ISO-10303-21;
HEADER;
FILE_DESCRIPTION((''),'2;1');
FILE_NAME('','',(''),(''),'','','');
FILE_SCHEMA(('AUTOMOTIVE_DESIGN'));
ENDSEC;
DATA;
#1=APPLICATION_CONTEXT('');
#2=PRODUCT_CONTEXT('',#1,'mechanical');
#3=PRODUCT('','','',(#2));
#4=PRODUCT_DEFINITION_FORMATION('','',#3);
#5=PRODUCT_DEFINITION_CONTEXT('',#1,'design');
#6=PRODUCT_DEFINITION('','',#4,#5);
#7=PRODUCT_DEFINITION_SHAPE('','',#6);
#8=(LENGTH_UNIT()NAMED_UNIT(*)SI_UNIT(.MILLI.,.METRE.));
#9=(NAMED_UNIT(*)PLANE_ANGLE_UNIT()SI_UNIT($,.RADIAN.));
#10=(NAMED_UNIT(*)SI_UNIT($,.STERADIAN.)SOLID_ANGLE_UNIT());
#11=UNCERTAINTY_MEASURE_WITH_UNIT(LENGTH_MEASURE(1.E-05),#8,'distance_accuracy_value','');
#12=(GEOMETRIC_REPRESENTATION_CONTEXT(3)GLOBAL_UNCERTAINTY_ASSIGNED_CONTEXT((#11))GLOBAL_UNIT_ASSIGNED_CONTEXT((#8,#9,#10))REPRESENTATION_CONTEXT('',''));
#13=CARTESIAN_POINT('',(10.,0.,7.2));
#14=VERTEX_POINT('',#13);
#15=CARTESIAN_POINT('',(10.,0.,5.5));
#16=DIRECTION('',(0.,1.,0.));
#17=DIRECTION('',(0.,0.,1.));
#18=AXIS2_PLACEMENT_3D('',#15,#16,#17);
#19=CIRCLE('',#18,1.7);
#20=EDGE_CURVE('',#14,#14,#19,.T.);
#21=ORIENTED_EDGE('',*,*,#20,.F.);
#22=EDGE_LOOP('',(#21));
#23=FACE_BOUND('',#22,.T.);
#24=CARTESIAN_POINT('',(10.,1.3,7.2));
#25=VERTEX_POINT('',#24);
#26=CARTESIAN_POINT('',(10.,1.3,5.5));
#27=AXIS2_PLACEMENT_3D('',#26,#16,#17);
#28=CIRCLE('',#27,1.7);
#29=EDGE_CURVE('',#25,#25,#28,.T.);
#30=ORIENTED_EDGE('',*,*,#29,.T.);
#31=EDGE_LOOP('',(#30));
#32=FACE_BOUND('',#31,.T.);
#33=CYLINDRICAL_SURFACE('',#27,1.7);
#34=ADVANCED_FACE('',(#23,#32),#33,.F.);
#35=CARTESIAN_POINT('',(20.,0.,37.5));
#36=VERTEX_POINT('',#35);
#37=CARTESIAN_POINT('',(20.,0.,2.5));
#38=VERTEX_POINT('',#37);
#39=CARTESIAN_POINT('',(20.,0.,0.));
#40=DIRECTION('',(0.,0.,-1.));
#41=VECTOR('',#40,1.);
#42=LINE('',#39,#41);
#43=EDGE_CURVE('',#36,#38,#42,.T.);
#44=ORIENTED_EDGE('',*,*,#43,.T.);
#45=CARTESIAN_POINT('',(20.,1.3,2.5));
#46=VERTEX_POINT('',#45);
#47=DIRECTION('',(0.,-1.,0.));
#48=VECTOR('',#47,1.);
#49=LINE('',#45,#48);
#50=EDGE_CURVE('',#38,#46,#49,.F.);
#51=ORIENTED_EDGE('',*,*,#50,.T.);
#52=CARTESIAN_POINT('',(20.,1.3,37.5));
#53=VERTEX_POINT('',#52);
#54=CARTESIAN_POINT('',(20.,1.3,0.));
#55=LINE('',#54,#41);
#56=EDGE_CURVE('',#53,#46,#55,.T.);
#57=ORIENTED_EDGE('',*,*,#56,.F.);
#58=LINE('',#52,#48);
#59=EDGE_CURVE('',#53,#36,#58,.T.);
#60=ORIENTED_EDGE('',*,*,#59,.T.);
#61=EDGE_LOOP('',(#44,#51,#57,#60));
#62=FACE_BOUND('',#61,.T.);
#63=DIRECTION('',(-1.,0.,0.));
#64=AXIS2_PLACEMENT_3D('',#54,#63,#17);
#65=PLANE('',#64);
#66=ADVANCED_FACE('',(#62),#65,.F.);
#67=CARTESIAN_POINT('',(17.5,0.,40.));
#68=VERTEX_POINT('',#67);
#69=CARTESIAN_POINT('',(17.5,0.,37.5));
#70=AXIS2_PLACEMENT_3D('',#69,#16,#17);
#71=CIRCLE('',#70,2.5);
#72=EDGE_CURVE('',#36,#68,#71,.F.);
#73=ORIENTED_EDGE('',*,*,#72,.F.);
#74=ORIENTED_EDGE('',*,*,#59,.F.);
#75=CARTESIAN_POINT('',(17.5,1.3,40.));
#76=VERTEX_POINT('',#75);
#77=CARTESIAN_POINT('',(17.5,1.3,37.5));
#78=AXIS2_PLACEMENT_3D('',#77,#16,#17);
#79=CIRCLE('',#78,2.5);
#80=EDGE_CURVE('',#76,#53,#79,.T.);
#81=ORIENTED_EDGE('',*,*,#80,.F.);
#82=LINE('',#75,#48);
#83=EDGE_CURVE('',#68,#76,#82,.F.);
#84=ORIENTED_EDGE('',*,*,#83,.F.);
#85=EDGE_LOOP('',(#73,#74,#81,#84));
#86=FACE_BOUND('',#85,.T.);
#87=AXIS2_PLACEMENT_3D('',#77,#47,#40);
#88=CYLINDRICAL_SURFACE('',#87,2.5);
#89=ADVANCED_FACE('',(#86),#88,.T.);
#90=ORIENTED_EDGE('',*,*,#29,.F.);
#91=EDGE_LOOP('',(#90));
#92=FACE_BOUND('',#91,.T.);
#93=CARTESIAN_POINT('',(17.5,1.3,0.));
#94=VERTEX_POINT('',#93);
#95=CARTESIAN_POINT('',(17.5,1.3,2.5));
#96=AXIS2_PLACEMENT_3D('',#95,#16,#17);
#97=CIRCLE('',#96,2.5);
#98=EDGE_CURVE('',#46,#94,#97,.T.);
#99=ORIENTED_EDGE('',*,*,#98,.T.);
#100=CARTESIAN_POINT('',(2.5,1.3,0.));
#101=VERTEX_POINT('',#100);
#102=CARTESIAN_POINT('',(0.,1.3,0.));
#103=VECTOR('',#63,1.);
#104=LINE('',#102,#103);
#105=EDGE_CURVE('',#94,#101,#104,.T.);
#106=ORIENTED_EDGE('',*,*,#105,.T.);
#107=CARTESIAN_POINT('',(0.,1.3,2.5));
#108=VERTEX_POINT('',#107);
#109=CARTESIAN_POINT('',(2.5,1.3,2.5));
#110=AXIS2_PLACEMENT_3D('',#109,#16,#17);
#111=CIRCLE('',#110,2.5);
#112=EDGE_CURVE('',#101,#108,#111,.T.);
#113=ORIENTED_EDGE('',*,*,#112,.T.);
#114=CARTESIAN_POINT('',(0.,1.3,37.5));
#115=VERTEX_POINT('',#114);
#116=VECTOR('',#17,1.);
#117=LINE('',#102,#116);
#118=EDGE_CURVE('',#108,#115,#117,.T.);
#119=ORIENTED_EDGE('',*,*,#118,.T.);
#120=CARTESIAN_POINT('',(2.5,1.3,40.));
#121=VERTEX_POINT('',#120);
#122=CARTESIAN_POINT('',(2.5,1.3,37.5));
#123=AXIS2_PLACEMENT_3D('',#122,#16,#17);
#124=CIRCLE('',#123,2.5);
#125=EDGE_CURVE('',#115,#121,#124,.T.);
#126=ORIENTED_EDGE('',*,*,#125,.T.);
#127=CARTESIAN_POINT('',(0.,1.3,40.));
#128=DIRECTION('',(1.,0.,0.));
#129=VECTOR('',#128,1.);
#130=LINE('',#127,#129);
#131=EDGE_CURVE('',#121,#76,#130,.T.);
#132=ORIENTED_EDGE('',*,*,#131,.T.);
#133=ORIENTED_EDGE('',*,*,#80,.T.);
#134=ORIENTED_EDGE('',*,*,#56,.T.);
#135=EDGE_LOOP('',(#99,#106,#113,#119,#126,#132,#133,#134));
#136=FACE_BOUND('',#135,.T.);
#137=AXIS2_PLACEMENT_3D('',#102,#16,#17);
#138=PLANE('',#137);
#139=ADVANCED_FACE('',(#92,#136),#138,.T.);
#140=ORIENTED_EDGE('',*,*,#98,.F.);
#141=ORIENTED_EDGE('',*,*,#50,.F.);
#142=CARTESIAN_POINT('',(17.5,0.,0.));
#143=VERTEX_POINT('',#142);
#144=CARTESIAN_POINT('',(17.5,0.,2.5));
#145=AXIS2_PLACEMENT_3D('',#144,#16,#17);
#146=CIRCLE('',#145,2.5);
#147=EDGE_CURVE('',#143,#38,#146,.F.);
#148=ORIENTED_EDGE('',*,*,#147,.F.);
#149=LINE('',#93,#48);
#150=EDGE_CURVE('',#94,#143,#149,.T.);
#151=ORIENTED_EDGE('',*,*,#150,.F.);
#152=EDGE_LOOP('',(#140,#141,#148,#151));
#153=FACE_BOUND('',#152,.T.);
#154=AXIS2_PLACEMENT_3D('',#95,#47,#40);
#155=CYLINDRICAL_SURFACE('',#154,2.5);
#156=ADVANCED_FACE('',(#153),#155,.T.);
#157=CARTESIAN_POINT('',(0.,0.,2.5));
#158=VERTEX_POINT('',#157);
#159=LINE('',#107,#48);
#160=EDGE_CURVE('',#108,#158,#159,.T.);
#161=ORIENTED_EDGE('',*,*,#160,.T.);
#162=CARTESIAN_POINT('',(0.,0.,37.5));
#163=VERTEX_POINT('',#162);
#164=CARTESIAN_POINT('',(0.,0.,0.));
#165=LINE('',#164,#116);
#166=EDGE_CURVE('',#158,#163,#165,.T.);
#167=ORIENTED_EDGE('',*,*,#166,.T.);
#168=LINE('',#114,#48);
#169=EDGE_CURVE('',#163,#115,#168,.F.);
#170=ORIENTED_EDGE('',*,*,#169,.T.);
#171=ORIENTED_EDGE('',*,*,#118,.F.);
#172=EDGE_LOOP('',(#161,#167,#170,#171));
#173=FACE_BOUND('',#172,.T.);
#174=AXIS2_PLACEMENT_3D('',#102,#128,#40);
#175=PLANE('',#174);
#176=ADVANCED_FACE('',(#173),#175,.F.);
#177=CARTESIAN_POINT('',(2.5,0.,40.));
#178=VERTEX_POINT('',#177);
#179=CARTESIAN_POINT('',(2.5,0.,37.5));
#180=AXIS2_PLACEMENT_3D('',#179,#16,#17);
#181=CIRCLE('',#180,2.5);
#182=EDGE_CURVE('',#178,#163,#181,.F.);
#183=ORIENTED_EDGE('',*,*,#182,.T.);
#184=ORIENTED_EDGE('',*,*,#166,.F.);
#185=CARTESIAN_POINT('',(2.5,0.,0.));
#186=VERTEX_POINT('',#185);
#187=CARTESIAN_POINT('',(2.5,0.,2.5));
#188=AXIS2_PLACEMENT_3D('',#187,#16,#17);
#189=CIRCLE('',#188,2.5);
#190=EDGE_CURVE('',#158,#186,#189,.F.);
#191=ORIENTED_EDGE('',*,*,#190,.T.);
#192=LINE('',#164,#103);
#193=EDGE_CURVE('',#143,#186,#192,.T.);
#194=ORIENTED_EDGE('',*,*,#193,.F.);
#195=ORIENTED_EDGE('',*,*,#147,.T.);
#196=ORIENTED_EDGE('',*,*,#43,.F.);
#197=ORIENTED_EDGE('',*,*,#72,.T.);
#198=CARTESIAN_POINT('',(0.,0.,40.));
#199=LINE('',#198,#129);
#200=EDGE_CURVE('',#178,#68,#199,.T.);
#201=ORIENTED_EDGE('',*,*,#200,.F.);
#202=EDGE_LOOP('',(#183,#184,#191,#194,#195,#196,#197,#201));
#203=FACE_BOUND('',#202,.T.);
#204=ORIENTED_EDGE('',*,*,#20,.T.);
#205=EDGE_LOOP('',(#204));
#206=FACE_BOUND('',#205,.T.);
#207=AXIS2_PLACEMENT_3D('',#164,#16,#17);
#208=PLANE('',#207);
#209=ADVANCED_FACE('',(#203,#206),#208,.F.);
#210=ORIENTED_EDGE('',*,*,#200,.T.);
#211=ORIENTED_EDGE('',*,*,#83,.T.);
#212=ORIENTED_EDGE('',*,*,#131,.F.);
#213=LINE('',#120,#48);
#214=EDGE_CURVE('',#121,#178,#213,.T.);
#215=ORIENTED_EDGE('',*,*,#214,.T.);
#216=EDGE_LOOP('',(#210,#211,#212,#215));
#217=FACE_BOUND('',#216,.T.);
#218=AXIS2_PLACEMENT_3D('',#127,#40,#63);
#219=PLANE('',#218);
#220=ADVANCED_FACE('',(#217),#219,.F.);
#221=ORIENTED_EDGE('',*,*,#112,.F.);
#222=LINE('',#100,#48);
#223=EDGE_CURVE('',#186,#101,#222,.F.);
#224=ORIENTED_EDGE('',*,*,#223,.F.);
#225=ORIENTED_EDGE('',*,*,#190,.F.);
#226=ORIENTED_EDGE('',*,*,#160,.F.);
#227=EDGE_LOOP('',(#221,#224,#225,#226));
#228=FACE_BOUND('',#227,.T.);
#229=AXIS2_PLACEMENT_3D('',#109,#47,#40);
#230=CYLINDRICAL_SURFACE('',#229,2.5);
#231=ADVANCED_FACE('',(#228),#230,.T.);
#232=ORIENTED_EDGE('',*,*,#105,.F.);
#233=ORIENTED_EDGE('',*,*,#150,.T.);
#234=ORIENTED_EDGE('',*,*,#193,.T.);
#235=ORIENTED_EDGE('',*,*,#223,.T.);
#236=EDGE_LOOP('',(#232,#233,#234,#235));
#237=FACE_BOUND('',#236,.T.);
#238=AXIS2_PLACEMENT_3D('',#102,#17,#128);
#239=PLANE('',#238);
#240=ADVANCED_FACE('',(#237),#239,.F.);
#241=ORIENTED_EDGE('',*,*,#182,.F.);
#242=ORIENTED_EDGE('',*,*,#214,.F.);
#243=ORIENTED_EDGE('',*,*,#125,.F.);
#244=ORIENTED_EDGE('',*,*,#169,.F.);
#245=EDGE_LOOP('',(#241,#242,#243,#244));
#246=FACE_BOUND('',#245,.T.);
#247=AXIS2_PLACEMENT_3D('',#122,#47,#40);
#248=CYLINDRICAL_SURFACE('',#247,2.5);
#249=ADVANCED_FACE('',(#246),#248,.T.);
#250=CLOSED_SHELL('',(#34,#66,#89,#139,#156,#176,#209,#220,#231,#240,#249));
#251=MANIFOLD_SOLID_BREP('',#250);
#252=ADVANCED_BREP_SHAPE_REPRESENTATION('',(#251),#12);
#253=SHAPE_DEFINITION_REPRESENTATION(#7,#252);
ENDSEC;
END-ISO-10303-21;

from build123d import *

# Parameters (mm, degrees)
SKETCH1_W                = 20
SKETCH1_H                = 40
BOSS_EXTRUDE1_DEPTH      = 1.3
M3_CLEARANCE_HOLE1_D     = 3.4
M3_CLEARANCE_HOLE1_DEPTH = 1.3
FILLET1_R                = 2.5


with BuildPart() as part:
    # Sketch1 → Boss-Extrude1 (new body)
    with BuildSketch(Plane(origin=(0, 0, 0), x_dir=(1, 0, 0), z_dir=(0, 1, 0))):
        with Locations((10, -20)):
            Rectangle(SKETCH1_W, SKETCH1_H)
    extrude(amount=BOSS_EXTRUDE1_DEPTH)

    # M3 Clearance Hole1
    with Locations(Plane(origin=(0, 1.3, 0), x_dir=(1, 0, 0), z_dir=(0, 1, 0))):
        with Locations((10, -5.5)):
            Hole(M3_CLEARANCE_HOLE1_D / 2, depth=M3_CLEARANCE_HOLE1_DEPTH)

    # Fillet1
    fillet1_edges = [part.edges().sort_by_distance(p)[0] for p in [
        (0, 0.65, 0),
        (20, 0.65, 0),
        (20, 0.65, 40),
        (0, 0.65, 40),
    ]]
    fillet(fillet1_edges, radius=FILLET1_R)


solid = part.part
